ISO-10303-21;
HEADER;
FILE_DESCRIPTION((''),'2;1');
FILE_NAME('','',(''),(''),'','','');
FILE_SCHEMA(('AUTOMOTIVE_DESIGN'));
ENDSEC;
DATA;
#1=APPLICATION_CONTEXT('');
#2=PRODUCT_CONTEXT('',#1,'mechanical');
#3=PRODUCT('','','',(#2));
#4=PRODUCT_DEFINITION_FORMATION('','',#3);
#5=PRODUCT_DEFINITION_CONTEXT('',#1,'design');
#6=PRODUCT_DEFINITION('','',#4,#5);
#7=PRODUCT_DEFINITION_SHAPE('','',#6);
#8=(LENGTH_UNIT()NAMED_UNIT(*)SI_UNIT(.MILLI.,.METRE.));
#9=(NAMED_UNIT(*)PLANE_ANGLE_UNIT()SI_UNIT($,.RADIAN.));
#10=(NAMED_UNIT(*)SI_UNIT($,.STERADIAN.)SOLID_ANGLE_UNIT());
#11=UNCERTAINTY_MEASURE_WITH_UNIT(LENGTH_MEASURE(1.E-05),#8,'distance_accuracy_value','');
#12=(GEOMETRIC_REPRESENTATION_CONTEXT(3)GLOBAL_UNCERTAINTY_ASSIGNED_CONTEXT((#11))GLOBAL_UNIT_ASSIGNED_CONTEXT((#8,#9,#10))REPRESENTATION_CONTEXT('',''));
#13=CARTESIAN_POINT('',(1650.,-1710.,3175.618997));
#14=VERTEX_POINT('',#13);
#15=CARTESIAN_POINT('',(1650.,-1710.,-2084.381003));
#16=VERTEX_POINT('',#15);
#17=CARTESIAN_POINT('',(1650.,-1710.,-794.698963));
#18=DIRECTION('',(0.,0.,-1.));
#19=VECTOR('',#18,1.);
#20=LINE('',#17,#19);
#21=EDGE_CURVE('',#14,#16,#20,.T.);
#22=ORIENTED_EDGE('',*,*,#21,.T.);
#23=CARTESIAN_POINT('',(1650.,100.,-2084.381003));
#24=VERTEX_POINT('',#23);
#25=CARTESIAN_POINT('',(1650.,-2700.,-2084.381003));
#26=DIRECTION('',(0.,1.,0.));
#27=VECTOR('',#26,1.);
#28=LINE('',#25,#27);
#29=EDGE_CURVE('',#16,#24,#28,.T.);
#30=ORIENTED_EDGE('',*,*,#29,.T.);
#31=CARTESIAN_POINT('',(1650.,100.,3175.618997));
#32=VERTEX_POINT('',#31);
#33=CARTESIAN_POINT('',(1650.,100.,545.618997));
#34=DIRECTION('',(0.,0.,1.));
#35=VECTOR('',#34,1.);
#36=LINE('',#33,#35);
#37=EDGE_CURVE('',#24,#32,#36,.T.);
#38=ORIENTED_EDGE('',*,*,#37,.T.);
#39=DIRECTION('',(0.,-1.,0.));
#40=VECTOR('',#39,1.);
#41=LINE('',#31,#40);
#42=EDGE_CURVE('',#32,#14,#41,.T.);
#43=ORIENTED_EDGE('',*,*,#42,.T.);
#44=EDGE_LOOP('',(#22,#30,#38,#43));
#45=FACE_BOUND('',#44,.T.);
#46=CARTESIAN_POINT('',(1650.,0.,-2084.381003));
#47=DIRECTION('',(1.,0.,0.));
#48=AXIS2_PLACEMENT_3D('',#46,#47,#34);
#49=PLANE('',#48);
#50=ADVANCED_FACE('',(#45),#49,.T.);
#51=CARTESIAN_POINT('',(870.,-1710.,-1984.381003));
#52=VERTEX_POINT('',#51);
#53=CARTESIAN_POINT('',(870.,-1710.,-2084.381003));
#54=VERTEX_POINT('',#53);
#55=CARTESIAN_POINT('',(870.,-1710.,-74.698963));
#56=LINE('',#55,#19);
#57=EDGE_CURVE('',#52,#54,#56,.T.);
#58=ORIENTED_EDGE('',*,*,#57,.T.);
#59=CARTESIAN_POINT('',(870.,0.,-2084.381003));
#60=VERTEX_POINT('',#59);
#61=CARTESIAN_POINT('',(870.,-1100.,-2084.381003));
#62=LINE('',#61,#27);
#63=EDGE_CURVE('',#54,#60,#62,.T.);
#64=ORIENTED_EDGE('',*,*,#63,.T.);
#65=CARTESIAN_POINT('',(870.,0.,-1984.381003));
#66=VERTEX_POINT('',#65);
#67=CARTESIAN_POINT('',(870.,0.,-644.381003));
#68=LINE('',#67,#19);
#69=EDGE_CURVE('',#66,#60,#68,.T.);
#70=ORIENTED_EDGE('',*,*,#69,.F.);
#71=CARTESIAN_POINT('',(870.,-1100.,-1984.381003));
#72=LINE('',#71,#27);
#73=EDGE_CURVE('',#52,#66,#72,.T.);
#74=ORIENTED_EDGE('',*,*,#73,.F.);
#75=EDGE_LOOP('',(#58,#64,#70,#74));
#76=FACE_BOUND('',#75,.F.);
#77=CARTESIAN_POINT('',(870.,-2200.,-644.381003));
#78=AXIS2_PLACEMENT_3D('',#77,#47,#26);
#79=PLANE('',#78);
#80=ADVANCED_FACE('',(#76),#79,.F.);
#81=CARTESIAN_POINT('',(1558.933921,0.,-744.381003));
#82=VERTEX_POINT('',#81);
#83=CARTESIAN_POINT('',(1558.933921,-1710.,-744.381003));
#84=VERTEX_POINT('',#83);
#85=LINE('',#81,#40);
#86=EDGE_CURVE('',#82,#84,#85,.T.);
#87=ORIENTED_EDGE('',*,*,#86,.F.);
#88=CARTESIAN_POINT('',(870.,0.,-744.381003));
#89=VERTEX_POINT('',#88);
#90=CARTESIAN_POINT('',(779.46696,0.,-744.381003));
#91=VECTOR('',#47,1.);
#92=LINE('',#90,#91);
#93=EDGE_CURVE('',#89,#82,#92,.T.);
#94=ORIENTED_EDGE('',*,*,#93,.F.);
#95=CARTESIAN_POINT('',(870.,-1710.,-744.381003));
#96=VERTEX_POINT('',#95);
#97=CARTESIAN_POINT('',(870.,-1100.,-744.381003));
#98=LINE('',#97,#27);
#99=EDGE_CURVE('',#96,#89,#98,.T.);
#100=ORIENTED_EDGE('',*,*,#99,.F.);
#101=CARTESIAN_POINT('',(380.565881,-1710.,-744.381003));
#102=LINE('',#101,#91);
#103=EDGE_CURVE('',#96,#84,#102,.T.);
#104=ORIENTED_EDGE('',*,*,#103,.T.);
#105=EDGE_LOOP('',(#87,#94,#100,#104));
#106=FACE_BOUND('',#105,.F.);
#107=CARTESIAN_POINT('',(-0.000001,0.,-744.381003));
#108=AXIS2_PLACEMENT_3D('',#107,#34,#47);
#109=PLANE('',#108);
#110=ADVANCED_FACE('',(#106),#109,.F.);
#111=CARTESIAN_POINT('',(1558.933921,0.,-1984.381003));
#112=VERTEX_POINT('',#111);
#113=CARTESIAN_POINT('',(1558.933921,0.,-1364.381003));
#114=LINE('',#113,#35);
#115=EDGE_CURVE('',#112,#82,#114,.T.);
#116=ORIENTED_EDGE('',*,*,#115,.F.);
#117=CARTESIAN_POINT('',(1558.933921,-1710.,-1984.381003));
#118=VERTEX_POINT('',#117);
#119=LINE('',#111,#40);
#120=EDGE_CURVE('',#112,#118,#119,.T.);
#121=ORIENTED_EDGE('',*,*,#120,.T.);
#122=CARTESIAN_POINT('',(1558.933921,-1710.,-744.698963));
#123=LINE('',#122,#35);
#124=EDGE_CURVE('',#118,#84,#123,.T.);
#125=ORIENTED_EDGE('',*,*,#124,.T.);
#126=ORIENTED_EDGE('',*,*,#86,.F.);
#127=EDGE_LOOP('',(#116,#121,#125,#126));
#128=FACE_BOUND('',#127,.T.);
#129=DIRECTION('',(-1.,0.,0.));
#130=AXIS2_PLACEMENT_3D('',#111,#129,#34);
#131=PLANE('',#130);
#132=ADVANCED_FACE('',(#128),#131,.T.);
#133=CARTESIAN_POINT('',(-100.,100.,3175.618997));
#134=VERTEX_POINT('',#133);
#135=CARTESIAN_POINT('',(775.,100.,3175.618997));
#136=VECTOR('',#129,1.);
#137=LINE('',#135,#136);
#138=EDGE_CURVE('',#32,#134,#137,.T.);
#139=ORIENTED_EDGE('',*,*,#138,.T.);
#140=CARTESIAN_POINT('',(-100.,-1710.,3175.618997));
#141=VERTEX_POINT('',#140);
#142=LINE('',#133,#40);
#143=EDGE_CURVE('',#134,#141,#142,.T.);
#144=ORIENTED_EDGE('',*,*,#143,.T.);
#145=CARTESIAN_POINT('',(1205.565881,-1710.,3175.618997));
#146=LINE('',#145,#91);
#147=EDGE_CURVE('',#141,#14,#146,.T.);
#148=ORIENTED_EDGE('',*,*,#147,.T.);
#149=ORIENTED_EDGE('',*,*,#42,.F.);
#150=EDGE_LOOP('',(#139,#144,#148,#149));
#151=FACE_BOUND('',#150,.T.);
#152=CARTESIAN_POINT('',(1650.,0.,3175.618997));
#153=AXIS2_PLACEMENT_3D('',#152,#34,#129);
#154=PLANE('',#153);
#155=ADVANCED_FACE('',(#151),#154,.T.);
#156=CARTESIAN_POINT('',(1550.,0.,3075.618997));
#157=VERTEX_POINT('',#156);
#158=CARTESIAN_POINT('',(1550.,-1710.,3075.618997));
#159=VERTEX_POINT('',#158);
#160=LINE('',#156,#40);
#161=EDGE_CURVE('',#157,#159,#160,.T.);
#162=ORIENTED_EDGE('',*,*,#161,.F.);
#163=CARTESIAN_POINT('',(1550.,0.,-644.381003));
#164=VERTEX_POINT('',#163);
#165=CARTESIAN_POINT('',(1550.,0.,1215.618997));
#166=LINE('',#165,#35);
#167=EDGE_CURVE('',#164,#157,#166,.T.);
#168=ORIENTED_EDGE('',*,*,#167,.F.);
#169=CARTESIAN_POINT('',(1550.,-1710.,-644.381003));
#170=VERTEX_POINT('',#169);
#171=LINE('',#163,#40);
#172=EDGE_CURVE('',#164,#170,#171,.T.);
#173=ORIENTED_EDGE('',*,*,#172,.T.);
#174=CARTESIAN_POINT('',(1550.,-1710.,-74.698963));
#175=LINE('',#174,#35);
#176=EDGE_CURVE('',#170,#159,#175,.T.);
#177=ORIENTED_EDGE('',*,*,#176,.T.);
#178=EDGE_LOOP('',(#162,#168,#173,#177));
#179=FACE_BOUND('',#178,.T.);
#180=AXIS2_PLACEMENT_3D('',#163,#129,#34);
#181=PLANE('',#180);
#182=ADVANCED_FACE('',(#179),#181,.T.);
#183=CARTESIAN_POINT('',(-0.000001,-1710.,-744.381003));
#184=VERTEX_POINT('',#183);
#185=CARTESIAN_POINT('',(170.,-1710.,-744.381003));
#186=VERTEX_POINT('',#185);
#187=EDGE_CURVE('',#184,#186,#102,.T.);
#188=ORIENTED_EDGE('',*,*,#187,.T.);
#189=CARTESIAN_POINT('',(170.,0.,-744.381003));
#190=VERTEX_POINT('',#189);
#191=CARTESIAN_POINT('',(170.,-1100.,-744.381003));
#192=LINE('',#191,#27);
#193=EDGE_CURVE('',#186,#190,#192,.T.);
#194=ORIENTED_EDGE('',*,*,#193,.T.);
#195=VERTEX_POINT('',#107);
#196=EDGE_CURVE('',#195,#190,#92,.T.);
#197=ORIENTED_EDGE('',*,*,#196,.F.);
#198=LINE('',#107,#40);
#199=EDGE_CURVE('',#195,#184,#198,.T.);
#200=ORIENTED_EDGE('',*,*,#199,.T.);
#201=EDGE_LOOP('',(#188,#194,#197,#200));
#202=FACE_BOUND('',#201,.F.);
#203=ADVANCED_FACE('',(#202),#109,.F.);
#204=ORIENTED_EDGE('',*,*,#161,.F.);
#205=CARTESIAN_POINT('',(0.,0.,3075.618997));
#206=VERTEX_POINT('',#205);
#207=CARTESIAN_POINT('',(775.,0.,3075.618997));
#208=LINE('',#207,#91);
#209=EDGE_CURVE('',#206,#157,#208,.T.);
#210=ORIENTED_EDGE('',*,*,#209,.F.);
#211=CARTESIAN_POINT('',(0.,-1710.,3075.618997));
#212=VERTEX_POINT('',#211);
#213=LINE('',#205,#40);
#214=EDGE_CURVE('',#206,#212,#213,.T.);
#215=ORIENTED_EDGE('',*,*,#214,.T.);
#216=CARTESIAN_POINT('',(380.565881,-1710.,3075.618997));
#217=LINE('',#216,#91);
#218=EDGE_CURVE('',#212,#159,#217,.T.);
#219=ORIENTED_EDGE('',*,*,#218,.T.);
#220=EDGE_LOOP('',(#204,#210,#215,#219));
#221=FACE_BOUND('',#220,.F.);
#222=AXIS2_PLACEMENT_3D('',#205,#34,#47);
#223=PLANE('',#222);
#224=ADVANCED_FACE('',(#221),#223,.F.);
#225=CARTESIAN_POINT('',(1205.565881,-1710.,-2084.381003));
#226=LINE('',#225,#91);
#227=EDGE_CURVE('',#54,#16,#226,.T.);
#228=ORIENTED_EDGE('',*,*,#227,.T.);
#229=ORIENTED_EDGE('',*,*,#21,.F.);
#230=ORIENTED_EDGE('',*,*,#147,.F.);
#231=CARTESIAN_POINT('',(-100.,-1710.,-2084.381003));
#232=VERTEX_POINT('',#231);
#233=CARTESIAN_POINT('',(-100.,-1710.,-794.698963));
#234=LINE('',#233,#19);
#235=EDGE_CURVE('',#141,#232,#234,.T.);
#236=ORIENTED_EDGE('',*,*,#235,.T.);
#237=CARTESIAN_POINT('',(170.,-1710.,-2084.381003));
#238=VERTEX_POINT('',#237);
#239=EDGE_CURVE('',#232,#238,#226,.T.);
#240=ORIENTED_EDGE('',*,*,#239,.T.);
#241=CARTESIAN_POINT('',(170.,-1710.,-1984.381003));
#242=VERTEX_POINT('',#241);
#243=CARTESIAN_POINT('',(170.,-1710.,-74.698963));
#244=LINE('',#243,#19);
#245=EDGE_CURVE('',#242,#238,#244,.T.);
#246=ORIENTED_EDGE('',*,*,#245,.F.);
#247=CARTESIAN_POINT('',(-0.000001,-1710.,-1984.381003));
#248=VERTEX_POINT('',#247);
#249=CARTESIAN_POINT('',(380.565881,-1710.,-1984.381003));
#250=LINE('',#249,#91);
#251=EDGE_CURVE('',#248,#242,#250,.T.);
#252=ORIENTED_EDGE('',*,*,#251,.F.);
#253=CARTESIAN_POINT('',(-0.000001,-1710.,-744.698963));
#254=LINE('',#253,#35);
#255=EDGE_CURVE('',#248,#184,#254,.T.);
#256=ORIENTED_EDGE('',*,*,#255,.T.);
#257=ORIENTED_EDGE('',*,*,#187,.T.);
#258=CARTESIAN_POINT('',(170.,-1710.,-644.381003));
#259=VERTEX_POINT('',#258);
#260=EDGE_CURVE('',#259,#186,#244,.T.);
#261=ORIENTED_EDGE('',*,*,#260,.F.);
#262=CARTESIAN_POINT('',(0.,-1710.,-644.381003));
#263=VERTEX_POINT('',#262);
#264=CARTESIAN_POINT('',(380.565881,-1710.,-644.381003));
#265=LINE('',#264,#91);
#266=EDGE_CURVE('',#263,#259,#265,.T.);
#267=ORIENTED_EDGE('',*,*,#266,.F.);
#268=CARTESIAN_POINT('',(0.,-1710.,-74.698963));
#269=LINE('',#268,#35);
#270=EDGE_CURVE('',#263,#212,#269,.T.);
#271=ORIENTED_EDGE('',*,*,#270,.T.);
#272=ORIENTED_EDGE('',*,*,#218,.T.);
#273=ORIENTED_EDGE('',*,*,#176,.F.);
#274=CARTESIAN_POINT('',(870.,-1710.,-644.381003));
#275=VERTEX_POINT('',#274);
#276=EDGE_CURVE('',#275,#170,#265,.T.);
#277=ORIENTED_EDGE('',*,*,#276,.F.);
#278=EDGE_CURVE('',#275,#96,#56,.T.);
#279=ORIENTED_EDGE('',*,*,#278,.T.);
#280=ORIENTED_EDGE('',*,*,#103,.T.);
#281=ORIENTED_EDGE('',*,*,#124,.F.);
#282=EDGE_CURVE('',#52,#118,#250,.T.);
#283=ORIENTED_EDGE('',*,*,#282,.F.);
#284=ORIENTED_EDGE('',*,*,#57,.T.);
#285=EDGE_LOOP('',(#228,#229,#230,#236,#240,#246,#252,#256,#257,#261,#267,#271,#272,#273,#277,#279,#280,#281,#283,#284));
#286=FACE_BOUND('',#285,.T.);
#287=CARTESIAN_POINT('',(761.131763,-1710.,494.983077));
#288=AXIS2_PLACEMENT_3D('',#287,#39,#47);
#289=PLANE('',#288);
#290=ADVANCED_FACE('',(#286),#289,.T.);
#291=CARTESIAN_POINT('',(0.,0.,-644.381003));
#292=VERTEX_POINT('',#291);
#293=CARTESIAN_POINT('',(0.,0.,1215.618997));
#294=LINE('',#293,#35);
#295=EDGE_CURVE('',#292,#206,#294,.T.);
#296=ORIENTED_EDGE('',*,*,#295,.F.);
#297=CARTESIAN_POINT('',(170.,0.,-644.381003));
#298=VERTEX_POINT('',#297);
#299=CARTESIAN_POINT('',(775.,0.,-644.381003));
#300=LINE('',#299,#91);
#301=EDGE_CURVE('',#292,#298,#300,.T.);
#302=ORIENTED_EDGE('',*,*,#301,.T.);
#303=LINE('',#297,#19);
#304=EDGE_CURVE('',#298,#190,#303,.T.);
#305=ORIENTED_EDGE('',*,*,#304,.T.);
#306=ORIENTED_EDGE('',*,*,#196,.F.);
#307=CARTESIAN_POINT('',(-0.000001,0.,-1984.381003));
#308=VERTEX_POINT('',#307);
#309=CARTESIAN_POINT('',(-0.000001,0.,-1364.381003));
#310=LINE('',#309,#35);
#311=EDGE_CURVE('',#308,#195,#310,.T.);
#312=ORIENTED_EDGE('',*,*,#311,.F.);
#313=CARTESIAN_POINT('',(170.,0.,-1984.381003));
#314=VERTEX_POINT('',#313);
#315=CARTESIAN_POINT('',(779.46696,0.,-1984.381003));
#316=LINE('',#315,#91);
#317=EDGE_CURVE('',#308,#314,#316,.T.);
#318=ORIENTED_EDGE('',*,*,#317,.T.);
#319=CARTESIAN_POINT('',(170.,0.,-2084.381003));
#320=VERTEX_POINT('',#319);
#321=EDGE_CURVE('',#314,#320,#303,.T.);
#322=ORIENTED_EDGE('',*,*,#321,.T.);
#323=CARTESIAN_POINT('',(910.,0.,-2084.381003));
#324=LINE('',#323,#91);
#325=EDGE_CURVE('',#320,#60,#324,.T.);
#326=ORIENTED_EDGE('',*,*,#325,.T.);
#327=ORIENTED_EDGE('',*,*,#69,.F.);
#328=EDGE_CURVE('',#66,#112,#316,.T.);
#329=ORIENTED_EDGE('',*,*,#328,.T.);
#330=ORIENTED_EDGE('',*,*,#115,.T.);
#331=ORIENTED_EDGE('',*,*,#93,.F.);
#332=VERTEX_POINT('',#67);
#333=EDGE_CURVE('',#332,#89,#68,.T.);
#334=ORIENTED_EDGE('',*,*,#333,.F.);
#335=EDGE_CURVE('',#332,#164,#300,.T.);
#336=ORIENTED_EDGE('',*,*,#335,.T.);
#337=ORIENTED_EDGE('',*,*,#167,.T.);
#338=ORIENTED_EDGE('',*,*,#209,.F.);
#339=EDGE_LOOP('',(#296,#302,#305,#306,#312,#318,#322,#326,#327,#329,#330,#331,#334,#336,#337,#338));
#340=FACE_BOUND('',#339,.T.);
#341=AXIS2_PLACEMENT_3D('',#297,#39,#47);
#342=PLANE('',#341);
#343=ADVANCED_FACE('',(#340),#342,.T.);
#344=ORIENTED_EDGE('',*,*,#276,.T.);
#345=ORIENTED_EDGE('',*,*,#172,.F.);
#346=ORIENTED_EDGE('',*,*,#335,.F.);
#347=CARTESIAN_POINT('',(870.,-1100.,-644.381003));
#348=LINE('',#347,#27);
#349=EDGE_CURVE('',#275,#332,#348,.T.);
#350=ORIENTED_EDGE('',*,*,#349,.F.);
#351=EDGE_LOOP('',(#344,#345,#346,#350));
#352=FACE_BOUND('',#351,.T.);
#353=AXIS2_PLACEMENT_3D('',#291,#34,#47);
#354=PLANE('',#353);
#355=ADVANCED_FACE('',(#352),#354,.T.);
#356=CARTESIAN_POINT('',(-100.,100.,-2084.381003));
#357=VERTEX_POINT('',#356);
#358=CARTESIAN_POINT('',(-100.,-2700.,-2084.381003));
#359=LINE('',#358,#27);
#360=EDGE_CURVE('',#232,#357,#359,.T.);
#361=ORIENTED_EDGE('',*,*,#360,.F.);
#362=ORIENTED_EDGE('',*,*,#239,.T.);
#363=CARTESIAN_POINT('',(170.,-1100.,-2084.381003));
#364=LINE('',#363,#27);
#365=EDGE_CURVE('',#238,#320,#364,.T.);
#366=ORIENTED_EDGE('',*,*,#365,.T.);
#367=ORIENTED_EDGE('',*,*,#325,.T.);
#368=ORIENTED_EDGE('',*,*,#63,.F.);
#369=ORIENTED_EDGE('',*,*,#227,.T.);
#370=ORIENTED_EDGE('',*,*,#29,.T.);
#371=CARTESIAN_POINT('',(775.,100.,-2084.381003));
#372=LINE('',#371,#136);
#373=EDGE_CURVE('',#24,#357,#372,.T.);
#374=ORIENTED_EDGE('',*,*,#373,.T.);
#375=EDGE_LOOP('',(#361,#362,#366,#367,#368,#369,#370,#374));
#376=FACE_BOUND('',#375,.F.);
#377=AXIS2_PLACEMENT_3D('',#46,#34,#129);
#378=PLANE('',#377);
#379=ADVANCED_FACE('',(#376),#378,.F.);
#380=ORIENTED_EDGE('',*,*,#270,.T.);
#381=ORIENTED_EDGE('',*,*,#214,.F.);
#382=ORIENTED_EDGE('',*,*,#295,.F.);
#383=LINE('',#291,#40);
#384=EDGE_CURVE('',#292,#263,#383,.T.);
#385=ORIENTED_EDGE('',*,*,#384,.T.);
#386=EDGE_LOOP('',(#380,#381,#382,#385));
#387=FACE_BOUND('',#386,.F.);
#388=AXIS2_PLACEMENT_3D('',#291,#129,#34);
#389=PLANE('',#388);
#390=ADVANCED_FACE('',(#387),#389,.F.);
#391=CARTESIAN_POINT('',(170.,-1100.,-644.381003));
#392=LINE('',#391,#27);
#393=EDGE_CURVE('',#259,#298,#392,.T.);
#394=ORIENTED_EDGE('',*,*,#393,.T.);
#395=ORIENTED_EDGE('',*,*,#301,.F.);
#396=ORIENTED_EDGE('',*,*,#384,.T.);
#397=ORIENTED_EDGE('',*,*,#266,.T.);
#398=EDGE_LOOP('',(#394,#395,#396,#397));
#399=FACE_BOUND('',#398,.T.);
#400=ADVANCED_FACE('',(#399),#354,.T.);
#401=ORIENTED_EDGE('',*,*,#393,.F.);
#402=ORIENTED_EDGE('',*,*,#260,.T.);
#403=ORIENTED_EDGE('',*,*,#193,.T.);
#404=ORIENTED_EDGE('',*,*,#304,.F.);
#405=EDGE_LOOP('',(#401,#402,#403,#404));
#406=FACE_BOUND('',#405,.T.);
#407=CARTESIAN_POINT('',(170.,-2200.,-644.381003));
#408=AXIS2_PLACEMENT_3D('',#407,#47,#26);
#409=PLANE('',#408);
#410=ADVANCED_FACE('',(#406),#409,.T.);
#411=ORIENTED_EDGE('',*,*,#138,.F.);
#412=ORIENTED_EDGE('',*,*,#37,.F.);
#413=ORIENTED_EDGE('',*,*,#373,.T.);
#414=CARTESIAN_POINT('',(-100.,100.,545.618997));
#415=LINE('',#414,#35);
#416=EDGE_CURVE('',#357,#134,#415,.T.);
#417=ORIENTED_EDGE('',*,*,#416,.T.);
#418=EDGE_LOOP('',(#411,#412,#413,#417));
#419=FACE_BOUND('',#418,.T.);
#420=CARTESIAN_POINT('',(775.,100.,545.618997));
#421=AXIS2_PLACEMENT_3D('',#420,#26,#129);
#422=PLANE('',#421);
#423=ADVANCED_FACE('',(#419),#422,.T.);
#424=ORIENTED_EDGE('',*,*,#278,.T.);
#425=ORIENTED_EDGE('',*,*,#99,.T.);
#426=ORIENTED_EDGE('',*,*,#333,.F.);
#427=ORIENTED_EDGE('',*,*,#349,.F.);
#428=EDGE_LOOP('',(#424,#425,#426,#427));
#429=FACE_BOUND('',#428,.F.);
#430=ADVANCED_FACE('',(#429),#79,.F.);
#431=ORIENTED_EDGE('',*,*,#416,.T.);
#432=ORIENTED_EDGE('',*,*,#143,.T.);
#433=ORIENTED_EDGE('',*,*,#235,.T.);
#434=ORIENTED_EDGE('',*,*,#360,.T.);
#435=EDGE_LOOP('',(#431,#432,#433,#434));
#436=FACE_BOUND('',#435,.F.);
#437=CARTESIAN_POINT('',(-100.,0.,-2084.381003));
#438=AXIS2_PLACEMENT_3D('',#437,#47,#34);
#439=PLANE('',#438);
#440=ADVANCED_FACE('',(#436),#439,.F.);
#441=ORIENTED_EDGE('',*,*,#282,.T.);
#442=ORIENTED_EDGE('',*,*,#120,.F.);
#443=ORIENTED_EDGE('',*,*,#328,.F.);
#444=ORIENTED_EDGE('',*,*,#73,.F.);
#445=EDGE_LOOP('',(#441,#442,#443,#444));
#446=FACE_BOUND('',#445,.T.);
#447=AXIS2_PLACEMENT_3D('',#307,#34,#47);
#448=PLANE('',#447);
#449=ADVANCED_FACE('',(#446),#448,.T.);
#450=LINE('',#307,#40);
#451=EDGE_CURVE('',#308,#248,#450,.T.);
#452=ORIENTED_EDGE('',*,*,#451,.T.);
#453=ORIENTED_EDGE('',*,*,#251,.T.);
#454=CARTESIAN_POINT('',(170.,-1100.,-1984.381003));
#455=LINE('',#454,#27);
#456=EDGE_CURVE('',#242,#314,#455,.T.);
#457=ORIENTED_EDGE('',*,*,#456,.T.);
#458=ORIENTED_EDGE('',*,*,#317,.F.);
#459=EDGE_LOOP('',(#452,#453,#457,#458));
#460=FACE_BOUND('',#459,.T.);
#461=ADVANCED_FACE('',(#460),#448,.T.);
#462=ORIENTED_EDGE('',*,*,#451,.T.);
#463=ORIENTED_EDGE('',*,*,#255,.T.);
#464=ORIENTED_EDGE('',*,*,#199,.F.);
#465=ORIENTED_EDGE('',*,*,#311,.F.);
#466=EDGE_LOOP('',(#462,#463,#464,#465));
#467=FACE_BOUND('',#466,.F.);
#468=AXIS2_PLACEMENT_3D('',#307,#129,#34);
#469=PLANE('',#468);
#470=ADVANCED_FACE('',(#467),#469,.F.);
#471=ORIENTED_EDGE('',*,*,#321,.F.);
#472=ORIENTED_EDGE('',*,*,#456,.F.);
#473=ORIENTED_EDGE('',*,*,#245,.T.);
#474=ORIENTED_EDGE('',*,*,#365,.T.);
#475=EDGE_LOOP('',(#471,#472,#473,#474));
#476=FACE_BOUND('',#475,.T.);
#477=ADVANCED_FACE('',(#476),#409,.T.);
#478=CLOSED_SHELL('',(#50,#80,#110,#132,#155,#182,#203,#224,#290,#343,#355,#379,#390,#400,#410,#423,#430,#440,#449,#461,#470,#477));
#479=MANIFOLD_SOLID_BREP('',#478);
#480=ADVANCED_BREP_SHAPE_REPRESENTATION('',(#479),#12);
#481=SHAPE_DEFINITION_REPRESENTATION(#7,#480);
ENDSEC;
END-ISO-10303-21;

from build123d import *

# Parameters (mm, degrees)
F0_W     = 1750
F0_H     = 5260
F0_W_2   = 1558.933921
F0_H_2   = 1240
F0_W_3   = 1550
F0_H_3   = 3720
F1_DEPTH = 2700
F2_W     = 1750
F2_H     = 5260
F3_DEPTH = 100
F4_W     = 700
F4_H     = 2200
F5_DEPTH = 3089.338541
F6_W     = 3622.153283
F6_H     = 7279.484034
F6_W_2   = 1750
F6_H_2   = 5260
F6_W_3   = 1558.933921
F6_H_3   = 1240
F6_W_4   = 1550
F6_H_4   = 3720
F7_DEPTH = 990


with BuildPart() as f1:
    # F0 (on Front) → F1 (new body)
    with BuildSketch(Plane.XZ):
        with Locations((775, 545.618997)):
            Rectangle(F0_W, F0_H)
        with Locations((779.46696, -1364.381003)):
            Rectangle(F0_W_2, F0_H_2, mode=Mode.SUBTRACT)
        with Locations((775, 1215.618997)):
            Rectangle(F0_W_3, F0_H_3, mode=Mode.SUBTRACT)
    extrude(amount=F1_DEPTH)

    # F2 (on face) → F3 (join)
    with BuildSketch(Plane(origin=(0, 0, 0), x_dir=(-1, 0, 0), z_dir=(0, 1, 0))):
        with Locations((-775, 545.618997)):
            Rectangle(F2_W, F2_H)
    extrude(amount=F3_DEPTH)

    # F4 (on face) → F5 (cut)
    with BuildSketch(Plane.XY.offset(-644.381003)):
        with Locations((520, -1100)):
            Rectangle(F4_W, F4_H)
    extrude(amount=-F5_DEPTH, mode=Mode.SUBTRACT)

    # F6 (on face) → F7 (cut)
    with BuildSketch(Plane.XZ.offset(2700)):
        with Locations((761.131763, 494.983077)):
            Rectangle(F6_W, F6_H)
        with Locations((775, 545.618997)):
            Rectangle(F6_W_2, F6_H_2, mode=Mode.SUBTRACT)
        with Locations((775, 545.618997)):
            Rectangle(F6_W_2, F6_H_2)
        with Locations((779.46696, -1364.381003)):
            Rectangle(F6_W_3, F6_H_3, mode=Mode.SUBTRACT)
        with Locations((775, 1215.618997)):
            Rectangle(F6_W_4, F6_H_4, mode=Mode.SUBTRACT)
        with Locations((775, 1215.618997)):
            Rectangle(F6_W_4, F6_H_4)
        with Locations((779.46696, -1364.381003)):
            Rectangle(F6_W_3, F6_H_3)
    extrude(amount=-F7_DEPTH, mode=Mode.SUBTRACT)


solid = f1.part
